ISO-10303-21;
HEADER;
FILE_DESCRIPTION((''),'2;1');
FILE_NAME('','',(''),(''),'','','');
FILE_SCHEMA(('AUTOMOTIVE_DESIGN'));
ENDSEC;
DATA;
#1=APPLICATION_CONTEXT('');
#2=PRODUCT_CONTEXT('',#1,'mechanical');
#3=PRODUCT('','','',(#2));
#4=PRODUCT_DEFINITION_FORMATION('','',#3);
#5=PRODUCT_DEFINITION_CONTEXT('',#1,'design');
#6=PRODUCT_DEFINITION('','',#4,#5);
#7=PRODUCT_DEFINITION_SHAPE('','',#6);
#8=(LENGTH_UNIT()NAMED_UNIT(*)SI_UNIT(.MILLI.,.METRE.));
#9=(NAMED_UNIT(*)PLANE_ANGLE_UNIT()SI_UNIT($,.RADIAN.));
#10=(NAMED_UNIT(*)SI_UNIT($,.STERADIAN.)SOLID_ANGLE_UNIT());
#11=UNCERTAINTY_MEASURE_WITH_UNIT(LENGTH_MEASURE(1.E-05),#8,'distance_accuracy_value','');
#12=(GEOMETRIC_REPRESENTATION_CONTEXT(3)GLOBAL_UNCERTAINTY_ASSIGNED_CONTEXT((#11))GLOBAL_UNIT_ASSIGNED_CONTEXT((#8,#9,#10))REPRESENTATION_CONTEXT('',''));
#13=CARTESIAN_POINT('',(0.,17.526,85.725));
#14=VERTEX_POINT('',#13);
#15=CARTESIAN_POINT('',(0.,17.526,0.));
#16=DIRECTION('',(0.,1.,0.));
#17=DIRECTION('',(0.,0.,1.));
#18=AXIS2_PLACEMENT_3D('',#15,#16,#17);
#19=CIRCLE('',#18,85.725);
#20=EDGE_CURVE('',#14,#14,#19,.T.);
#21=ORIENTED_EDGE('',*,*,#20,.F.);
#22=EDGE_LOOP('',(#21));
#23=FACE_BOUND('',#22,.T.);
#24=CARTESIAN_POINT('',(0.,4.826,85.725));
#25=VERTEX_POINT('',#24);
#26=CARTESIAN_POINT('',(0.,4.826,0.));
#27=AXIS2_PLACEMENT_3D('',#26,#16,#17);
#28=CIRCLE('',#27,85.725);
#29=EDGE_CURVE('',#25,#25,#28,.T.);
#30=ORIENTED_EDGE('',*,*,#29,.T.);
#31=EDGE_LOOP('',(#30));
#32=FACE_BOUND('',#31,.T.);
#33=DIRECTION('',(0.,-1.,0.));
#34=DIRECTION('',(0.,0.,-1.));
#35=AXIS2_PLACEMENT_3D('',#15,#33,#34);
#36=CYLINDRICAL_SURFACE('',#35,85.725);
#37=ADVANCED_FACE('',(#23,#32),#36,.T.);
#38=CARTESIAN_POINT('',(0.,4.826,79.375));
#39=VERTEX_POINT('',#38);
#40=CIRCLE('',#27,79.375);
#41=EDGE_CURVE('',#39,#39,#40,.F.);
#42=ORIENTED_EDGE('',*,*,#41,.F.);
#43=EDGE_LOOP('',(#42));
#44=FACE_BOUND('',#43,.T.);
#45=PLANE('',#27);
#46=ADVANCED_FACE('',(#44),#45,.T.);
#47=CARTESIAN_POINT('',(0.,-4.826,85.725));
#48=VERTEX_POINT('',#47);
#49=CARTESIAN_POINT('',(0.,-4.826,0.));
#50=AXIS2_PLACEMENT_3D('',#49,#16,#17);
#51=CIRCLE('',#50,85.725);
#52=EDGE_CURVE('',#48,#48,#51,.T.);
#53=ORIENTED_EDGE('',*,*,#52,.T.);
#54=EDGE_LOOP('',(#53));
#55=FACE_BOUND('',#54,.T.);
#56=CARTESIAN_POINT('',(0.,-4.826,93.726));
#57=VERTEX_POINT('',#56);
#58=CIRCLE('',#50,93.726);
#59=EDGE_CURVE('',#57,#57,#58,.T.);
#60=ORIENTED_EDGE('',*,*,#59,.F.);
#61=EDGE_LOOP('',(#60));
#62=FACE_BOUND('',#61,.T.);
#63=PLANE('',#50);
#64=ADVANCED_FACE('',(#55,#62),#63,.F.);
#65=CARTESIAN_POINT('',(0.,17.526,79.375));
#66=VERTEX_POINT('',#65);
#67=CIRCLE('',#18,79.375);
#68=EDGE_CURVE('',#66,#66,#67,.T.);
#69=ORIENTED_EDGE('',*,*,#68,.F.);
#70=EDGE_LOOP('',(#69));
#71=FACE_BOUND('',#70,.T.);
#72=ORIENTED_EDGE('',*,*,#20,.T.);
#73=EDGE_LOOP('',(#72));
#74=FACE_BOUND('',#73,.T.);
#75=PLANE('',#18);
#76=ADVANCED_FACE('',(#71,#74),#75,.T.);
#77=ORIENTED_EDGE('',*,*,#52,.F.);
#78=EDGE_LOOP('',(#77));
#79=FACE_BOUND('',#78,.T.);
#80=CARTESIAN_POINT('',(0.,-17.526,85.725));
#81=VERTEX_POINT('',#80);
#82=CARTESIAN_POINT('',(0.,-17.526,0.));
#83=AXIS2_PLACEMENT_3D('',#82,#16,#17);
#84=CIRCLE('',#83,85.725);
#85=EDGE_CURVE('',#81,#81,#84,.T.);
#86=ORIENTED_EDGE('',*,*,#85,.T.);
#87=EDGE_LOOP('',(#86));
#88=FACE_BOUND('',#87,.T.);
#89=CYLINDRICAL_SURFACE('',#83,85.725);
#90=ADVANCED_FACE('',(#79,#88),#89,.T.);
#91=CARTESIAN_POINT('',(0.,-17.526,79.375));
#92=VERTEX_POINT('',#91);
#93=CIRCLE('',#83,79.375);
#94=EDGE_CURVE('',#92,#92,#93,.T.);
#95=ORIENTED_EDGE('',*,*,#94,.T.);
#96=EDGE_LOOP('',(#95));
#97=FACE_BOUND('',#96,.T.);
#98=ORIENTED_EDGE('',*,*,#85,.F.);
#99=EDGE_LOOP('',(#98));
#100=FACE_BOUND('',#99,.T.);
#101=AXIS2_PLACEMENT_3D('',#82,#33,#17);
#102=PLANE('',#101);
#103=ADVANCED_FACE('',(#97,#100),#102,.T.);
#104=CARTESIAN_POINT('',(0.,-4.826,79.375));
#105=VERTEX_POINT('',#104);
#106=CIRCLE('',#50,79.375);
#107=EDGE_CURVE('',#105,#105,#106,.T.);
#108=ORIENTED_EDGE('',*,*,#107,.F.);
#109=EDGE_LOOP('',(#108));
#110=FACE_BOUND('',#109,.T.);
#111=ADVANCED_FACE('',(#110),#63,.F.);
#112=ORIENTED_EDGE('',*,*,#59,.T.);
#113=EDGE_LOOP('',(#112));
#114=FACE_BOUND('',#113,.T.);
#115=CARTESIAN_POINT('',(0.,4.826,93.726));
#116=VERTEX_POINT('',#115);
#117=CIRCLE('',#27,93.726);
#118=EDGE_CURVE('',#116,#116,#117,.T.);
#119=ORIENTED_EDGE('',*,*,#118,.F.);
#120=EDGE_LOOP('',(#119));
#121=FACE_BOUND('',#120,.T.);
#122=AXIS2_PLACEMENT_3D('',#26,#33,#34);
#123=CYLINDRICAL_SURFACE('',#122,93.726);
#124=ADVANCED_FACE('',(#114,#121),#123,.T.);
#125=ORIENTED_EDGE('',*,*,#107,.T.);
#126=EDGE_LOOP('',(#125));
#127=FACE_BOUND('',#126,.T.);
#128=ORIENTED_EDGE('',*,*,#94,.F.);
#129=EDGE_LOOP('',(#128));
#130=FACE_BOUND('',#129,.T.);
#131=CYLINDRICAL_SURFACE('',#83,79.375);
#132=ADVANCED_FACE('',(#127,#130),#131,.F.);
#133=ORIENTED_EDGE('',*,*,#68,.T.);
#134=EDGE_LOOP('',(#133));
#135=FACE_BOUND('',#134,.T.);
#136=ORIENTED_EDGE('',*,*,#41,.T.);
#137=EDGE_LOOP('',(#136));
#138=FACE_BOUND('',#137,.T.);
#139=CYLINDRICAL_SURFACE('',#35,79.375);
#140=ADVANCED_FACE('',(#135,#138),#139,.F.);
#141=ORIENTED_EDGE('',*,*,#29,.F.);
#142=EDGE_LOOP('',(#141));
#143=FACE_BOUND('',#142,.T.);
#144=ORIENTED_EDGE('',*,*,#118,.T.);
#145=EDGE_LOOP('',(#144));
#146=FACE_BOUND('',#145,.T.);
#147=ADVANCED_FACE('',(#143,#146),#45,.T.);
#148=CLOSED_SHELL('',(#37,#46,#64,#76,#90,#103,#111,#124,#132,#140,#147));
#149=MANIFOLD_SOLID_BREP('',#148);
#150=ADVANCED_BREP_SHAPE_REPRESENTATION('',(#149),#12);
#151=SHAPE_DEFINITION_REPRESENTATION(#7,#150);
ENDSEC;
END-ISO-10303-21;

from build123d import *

# Parameters (mm, degrees)
SKETCH1_R           = 93.726
BOSS_EXTRUDE1_DEPTH = 4.826
SKETCH4_R           = 85.725
SKETCH4_R_2         = 79.375
BOSS_EXTRUDE2_DEPTH = 12.7


with BuildPart() as part:
    # Sketch1 → Boss-Extrude1 (new, symmetric)
    with BuildSketch(Plane(origin=(0, 0, 0), x_dir=(1, 0, 0), z_dir=(0, 1, 0))):
        with Locations(Location((0, 0, 0), (0, 0, 270))):
            Circle(SKETCH1_R)
    extrude(amount=BOSS_EXTRUDE1_DEPTH, both=True)

    # Sketch4 → Boss-Extrude2 (add)
    with BuildSketch(Plane(origin=(0, 4.826, 0), x_dir=(1, 0, 0), z_dir=(0, 1, 0))):
        with Locations(Location((0, 0, 0), (0, 0, 270))):
            Circle(SKETCH4_R)
        with Locations(Location((0, 0, 0), (0, 0, 270))):
            Circle(SKETCH4_R_2, mode=Mode.SUBTRACT)
    boss_extrude2 = extrude(amount=BOSS_EXTRUDE2_DEPTH)

    # Mirror2: Boss-Extrude2 across plane
    add(boss_extrude2.mirror(Plane.ZX))


solid = part.part
